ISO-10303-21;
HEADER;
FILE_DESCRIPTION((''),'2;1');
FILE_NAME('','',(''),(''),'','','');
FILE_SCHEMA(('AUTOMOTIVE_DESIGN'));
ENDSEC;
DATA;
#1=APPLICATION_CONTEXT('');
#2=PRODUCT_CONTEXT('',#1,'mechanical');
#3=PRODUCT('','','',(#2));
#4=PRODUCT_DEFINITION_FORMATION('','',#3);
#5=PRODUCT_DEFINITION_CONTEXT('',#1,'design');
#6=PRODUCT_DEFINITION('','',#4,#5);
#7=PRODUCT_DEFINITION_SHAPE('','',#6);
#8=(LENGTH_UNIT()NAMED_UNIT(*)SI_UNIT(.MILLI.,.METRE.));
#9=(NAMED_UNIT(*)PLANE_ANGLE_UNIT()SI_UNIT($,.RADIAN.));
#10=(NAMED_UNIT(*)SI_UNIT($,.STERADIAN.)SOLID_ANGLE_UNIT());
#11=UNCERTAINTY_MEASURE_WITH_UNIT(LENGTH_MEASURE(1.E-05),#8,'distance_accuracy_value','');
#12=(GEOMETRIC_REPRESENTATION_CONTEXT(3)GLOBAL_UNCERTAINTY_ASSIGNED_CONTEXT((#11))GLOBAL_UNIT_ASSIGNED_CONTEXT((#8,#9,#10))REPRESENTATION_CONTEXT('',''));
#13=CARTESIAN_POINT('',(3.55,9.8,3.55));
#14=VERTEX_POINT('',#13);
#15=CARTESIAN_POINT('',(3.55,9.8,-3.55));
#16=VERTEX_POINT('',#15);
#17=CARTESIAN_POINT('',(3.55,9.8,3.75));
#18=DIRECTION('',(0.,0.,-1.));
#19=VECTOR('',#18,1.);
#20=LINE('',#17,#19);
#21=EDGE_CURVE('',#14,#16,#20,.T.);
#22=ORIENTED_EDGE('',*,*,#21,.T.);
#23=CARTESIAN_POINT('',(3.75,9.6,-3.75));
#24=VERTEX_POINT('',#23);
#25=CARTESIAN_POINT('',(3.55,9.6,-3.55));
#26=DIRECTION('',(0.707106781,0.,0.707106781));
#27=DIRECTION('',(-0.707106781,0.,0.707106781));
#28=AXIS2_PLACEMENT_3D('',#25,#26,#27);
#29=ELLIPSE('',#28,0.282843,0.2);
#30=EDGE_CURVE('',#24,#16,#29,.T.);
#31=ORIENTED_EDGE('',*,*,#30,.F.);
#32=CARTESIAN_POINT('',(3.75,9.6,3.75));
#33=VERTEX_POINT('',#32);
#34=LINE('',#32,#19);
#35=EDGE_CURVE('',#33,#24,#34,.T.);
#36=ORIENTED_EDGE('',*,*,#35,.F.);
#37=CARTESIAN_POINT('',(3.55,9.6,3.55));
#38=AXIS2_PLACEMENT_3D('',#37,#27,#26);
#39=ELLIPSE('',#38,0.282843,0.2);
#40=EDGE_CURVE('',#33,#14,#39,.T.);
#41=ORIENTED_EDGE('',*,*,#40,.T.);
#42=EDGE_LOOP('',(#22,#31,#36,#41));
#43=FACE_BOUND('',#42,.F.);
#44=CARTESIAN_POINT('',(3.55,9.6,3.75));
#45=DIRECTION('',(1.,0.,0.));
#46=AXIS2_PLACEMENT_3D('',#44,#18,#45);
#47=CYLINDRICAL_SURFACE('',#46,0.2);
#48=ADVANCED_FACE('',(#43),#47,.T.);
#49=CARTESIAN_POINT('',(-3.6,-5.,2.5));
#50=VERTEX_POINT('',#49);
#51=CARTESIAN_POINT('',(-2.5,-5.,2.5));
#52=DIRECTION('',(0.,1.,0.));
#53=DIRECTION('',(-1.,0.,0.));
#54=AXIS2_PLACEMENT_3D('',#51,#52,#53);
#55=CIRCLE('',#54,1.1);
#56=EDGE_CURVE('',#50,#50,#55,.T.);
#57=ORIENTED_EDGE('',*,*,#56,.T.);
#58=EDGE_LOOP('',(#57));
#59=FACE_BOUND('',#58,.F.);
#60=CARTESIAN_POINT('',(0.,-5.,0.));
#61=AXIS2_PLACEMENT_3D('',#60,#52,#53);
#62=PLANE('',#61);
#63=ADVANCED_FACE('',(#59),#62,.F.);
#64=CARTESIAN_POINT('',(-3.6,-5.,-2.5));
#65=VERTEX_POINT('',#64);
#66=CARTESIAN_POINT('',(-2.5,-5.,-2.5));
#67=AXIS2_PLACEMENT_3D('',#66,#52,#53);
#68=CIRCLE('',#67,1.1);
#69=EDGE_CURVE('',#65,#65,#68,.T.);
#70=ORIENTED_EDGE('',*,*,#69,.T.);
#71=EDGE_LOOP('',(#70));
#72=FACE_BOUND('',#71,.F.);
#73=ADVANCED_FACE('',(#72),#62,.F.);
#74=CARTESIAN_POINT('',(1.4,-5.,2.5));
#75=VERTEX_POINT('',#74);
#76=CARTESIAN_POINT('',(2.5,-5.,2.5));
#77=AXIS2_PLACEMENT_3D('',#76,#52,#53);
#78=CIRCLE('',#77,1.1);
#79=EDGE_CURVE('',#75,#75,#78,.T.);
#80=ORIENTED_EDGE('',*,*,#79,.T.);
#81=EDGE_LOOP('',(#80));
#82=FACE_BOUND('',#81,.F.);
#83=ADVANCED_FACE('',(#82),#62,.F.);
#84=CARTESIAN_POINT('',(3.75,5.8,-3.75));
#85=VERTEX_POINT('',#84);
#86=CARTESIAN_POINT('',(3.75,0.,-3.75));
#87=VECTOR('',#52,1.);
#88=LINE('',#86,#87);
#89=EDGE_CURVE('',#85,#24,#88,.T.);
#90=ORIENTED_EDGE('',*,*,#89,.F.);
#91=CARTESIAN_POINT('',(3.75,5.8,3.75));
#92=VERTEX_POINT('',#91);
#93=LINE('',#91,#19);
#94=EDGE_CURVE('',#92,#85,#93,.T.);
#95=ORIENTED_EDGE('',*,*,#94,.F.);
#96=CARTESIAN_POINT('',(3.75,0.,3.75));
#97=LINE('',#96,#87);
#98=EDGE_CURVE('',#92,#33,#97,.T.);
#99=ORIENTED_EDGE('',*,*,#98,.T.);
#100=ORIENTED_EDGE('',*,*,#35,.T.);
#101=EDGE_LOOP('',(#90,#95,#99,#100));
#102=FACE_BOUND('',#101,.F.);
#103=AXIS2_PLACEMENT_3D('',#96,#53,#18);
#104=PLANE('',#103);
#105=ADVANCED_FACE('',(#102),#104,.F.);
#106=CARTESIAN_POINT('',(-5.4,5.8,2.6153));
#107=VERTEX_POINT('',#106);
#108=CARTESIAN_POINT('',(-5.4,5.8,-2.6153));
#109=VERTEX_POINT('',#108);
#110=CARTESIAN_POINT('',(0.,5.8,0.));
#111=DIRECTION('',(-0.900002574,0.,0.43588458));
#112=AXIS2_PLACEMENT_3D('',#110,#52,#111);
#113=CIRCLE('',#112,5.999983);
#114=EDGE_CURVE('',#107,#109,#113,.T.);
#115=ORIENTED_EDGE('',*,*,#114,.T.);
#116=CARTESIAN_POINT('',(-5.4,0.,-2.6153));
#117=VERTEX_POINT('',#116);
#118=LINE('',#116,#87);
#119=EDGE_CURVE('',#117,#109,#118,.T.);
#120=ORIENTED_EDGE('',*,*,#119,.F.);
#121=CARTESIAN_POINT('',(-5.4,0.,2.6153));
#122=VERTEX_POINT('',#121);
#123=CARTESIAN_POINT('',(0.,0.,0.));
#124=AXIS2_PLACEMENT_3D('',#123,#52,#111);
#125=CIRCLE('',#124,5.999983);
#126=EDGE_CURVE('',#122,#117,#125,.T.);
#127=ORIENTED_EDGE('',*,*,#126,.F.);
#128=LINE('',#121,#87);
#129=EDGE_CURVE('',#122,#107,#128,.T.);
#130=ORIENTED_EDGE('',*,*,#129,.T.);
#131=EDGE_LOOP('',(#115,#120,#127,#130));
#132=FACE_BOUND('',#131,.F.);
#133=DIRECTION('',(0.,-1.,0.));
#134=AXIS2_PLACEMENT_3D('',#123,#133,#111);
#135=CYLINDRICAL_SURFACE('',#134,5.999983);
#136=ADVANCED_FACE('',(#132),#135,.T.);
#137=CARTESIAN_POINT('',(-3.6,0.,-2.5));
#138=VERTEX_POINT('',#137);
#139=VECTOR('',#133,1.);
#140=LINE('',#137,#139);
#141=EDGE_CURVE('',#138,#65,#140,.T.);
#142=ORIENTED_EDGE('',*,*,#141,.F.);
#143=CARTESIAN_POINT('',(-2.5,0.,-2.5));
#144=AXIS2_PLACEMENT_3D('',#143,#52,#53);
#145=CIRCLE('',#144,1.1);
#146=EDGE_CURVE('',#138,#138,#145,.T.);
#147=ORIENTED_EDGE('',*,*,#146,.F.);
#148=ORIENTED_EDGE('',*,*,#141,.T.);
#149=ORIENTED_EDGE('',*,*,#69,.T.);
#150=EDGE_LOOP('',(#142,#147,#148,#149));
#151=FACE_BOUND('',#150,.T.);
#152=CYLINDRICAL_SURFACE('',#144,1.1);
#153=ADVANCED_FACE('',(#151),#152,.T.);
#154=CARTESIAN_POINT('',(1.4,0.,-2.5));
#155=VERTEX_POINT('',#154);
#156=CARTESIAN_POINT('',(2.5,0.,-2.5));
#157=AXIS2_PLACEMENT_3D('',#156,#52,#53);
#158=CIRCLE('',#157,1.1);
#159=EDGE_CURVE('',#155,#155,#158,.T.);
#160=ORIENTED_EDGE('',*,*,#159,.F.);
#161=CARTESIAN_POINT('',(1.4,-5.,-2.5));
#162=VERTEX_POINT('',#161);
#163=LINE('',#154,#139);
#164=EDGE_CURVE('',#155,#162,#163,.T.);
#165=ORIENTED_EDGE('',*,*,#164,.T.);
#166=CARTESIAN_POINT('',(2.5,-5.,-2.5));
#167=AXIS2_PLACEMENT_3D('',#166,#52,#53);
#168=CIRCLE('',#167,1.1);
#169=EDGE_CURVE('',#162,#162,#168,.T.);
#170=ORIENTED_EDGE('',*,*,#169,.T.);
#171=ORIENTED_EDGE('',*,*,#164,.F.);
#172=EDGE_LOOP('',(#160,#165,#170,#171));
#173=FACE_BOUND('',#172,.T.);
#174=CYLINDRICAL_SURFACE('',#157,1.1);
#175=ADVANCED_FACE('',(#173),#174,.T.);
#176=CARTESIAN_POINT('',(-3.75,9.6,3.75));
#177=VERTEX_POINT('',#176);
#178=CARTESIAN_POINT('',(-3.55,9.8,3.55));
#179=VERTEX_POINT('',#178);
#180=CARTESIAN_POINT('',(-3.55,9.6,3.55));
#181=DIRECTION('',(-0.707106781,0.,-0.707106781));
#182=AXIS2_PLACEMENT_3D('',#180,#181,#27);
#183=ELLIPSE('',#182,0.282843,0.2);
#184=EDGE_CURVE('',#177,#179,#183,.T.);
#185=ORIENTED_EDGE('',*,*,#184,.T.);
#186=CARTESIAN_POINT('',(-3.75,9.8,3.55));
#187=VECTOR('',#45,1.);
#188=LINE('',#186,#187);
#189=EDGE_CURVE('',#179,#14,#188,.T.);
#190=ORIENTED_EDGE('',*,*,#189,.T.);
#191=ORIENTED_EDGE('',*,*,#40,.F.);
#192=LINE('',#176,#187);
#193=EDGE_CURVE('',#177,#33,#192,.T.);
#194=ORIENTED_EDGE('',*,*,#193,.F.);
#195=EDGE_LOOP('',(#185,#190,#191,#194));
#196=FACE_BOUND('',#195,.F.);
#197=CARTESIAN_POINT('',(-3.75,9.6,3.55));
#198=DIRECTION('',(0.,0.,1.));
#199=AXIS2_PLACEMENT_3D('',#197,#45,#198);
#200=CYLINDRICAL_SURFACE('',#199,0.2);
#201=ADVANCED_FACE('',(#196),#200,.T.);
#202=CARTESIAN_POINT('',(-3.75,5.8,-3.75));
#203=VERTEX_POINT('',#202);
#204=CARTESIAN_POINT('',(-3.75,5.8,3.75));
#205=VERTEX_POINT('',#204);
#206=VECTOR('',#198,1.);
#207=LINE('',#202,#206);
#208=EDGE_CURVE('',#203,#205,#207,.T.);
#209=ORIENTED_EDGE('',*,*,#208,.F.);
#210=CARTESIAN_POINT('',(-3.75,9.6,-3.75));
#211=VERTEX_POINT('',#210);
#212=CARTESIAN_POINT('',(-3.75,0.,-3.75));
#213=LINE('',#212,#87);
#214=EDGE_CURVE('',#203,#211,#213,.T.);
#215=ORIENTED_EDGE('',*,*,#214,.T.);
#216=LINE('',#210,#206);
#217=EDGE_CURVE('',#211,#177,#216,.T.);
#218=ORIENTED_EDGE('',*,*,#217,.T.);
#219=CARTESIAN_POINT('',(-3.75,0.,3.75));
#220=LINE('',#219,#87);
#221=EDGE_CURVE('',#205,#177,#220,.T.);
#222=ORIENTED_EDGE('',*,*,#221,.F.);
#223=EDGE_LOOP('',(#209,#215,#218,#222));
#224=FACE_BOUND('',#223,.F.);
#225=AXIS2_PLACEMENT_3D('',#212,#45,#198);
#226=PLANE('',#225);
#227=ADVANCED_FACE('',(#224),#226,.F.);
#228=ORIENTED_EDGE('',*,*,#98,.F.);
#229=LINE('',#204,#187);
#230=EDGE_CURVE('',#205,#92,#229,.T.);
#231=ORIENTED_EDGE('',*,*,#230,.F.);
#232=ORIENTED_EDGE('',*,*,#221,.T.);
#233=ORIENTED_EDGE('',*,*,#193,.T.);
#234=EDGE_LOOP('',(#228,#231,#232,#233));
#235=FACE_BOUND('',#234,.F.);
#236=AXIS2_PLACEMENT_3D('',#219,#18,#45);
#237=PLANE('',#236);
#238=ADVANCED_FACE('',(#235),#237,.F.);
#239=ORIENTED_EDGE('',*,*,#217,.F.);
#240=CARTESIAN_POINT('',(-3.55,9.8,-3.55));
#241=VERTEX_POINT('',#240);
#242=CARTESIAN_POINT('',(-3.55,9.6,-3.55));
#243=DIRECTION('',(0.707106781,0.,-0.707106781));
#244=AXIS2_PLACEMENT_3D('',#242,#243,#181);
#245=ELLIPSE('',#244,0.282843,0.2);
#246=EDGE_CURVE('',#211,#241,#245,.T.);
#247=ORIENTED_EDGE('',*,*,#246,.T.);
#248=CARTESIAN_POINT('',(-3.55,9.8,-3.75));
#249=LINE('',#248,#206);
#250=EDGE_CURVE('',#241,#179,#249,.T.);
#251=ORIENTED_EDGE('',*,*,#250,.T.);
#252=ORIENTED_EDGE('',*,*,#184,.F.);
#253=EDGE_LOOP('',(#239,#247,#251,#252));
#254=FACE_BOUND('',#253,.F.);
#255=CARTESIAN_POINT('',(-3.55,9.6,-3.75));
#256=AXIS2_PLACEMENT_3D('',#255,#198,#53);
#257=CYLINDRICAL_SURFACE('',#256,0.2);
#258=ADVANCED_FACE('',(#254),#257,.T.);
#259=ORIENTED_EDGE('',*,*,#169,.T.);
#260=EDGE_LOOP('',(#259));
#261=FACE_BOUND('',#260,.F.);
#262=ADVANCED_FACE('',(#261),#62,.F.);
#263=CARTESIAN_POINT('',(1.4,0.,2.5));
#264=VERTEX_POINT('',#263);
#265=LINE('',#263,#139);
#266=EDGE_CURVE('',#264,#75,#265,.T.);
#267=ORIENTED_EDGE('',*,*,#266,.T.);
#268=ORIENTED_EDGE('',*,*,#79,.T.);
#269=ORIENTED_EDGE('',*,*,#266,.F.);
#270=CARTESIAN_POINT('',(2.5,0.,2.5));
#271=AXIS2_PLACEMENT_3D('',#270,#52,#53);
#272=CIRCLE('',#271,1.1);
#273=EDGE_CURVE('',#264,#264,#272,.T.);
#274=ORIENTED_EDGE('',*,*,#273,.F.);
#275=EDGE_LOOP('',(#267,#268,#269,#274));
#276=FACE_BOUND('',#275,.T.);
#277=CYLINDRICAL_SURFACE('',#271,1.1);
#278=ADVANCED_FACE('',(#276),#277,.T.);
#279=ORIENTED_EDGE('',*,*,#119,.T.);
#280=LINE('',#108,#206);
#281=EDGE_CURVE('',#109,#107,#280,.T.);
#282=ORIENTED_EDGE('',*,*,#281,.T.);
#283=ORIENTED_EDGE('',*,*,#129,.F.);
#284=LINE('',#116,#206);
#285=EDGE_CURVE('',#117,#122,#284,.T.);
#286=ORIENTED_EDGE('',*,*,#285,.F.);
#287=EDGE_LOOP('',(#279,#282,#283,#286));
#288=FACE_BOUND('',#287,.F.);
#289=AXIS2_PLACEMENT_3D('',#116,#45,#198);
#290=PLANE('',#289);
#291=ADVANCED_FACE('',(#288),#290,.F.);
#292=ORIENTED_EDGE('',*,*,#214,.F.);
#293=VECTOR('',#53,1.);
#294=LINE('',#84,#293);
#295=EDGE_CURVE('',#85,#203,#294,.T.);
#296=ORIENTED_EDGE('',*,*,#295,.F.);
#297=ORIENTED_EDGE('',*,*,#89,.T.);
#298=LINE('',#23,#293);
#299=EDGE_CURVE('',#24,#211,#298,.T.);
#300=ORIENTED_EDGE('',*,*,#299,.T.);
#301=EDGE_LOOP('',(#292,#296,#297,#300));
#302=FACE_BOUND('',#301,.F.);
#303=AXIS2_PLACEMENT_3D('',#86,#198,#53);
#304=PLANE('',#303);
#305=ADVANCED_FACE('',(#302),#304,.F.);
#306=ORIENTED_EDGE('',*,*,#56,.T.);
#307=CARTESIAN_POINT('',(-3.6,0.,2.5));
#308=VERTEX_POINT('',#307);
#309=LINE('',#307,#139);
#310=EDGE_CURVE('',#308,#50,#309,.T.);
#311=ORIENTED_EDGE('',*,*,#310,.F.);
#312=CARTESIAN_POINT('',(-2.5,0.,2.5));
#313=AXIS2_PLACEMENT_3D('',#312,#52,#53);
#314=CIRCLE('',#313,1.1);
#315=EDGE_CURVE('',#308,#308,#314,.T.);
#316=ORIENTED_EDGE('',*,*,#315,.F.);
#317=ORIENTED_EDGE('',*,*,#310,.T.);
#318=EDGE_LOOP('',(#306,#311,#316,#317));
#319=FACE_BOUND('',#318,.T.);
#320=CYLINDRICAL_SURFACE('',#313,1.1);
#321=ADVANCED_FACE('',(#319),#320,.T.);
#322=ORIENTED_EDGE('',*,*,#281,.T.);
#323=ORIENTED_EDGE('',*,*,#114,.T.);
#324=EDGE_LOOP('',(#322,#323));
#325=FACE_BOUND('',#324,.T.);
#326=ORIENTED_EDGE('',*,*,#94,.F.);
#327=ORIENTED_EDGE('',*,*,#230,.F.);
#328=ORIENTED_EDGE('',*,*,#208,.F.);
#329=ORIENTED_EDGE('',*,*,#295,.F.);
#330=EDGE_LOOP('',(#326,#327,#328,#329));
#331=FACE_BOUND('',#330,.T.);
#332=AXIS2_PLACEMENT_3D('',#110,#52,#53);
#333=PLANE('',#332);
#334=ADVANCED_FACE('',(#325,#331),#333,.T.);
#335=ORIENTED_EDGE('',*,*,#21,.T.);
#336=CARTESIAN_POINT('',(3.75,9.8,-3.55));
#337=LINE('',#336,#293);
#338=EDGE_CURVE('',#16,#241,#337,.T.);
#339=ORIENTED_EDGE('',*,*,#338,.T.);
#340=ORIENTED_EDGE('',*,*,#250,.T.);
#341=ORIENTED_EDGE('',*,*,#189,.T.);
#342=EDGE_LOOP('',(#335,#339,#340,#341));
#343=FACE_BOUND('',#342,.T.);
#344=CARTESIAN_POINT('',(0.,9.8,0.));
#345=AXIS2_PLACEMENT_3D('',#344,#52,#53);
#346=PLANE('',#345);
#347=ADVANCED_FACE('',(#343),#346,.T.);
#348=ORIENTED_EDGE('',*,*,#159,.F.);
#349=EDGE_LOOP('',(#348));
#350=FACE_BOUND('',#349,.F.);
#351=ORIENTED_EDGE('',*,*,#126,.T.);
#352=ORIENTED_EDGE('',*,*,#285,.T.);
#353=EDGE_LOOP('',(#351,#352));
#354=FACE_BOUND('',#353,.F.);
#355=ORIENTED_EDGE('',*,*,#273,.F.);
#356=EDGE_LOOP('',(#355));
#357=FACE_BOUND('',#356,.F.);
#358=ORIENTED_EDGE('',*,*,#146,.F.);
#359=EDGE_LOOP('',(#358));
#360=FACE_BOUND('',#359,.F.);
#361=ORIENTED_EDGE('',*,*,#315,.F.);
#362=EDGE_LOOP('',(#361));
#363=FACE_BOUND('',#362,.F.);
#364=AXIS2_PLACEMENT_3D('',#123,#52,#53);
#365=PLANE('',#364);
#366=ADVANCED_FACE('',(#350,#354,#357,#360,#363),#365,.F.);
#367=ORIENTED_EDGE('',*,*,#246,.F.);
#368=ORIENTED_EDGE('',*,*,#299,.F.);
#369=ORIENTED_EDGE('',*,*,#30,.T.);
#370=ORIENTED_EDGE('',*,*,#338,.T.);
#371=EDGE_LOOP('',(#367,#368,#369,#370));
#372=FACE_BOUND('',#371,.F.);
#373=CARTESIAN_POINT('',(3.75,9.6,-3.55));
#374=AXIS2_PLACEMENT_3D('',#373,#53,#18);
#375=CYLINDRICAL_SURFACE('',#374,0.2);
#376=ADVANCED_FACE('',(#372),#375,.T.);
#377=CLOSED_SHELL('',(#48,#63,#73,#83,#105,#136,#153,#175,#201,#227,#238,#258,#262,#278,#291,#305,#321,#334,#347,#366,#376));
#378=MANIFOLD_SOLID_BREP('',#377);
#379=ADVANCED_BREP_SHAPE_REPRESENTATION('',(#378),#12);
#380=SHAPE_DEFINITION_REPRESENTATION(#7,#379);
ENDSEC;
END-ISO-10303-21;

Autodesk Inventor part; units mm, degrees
ref_plane "YZ Plane" through (0, 0, 0) normal (1, 0, 0) x (0, 1, 0)
ref_plane "XZ Plane" through (0, 0, 0) normal (0, 1, 0) x (-1, 0, 0)
ref_plane "XY Plane" through (0, 0, 0) normal (0, 0, 1) x (1, 0, 0)
sketch "Sketch1" plane through (0, 0, 0) normal (0, 1, 0) x (-1, 0, 0)
  arc A0 (5.4, 2.6153) -> (5.4, -2.6153) centre (0, 0) ccw
  line L0 (3.75, 3.75) -> (-3.75, 3.75)
  line L1 (-3.75, 3.75) -> (-3.75, -3.75)
  line L2 (-3.75, -3.75) -> (3.75, -3.75)
  line L3 (3.75, -3.75) -> (3.75, 3.75)
  line L4 (3.75, 3.75) -> (-3.75, -3.75) construction
  line L5 (-3.75, 3.75) -> (3.75, -3.75) construction
  line L6 (5.4, -2.6153) -> (5.4, 2.6153)
  circle A1 centre (2.5, 2.5) radius 1.1
  circle A2 centre (2.5, -2.5) radius 1.1
  circle A3 centre (-2.5, 2.5) radius 1.1
  circle A4 centre (-2.5, -2.5) radius 1.1
  point P0 (-6, 0)
  dimension "d0" = 12
  dimension "d1" = 7.5
  dimension "d2" = 7.5
  dimension "d3" = 11.4
  dimension "d4" = 2.2
  dimension "d7" = 5
  dimension "d10" = 5
extrude "Extrusion1" add sketch "Sketch1" along normal blind 5.8 contours L6 A0
extrude "Extrusion2" add sketch "Sketch1" along normal blind 9.8 contours L3 L2 L1 L0 | A1 | A2 | A3 | A4
extrude "Extrusion3" add sketch "Sketch1" against normal blind 5 contours A1 | A2 | A3 | A4
fillet "Fillet1" radius 0.2 4 edges at (0, 9.8, -3.75) (-3.75, 9.8, 0) (0, 9.8, 3.75) (3.75, 9.8, 0)
properties part number "D6C90 F1 LFS"
